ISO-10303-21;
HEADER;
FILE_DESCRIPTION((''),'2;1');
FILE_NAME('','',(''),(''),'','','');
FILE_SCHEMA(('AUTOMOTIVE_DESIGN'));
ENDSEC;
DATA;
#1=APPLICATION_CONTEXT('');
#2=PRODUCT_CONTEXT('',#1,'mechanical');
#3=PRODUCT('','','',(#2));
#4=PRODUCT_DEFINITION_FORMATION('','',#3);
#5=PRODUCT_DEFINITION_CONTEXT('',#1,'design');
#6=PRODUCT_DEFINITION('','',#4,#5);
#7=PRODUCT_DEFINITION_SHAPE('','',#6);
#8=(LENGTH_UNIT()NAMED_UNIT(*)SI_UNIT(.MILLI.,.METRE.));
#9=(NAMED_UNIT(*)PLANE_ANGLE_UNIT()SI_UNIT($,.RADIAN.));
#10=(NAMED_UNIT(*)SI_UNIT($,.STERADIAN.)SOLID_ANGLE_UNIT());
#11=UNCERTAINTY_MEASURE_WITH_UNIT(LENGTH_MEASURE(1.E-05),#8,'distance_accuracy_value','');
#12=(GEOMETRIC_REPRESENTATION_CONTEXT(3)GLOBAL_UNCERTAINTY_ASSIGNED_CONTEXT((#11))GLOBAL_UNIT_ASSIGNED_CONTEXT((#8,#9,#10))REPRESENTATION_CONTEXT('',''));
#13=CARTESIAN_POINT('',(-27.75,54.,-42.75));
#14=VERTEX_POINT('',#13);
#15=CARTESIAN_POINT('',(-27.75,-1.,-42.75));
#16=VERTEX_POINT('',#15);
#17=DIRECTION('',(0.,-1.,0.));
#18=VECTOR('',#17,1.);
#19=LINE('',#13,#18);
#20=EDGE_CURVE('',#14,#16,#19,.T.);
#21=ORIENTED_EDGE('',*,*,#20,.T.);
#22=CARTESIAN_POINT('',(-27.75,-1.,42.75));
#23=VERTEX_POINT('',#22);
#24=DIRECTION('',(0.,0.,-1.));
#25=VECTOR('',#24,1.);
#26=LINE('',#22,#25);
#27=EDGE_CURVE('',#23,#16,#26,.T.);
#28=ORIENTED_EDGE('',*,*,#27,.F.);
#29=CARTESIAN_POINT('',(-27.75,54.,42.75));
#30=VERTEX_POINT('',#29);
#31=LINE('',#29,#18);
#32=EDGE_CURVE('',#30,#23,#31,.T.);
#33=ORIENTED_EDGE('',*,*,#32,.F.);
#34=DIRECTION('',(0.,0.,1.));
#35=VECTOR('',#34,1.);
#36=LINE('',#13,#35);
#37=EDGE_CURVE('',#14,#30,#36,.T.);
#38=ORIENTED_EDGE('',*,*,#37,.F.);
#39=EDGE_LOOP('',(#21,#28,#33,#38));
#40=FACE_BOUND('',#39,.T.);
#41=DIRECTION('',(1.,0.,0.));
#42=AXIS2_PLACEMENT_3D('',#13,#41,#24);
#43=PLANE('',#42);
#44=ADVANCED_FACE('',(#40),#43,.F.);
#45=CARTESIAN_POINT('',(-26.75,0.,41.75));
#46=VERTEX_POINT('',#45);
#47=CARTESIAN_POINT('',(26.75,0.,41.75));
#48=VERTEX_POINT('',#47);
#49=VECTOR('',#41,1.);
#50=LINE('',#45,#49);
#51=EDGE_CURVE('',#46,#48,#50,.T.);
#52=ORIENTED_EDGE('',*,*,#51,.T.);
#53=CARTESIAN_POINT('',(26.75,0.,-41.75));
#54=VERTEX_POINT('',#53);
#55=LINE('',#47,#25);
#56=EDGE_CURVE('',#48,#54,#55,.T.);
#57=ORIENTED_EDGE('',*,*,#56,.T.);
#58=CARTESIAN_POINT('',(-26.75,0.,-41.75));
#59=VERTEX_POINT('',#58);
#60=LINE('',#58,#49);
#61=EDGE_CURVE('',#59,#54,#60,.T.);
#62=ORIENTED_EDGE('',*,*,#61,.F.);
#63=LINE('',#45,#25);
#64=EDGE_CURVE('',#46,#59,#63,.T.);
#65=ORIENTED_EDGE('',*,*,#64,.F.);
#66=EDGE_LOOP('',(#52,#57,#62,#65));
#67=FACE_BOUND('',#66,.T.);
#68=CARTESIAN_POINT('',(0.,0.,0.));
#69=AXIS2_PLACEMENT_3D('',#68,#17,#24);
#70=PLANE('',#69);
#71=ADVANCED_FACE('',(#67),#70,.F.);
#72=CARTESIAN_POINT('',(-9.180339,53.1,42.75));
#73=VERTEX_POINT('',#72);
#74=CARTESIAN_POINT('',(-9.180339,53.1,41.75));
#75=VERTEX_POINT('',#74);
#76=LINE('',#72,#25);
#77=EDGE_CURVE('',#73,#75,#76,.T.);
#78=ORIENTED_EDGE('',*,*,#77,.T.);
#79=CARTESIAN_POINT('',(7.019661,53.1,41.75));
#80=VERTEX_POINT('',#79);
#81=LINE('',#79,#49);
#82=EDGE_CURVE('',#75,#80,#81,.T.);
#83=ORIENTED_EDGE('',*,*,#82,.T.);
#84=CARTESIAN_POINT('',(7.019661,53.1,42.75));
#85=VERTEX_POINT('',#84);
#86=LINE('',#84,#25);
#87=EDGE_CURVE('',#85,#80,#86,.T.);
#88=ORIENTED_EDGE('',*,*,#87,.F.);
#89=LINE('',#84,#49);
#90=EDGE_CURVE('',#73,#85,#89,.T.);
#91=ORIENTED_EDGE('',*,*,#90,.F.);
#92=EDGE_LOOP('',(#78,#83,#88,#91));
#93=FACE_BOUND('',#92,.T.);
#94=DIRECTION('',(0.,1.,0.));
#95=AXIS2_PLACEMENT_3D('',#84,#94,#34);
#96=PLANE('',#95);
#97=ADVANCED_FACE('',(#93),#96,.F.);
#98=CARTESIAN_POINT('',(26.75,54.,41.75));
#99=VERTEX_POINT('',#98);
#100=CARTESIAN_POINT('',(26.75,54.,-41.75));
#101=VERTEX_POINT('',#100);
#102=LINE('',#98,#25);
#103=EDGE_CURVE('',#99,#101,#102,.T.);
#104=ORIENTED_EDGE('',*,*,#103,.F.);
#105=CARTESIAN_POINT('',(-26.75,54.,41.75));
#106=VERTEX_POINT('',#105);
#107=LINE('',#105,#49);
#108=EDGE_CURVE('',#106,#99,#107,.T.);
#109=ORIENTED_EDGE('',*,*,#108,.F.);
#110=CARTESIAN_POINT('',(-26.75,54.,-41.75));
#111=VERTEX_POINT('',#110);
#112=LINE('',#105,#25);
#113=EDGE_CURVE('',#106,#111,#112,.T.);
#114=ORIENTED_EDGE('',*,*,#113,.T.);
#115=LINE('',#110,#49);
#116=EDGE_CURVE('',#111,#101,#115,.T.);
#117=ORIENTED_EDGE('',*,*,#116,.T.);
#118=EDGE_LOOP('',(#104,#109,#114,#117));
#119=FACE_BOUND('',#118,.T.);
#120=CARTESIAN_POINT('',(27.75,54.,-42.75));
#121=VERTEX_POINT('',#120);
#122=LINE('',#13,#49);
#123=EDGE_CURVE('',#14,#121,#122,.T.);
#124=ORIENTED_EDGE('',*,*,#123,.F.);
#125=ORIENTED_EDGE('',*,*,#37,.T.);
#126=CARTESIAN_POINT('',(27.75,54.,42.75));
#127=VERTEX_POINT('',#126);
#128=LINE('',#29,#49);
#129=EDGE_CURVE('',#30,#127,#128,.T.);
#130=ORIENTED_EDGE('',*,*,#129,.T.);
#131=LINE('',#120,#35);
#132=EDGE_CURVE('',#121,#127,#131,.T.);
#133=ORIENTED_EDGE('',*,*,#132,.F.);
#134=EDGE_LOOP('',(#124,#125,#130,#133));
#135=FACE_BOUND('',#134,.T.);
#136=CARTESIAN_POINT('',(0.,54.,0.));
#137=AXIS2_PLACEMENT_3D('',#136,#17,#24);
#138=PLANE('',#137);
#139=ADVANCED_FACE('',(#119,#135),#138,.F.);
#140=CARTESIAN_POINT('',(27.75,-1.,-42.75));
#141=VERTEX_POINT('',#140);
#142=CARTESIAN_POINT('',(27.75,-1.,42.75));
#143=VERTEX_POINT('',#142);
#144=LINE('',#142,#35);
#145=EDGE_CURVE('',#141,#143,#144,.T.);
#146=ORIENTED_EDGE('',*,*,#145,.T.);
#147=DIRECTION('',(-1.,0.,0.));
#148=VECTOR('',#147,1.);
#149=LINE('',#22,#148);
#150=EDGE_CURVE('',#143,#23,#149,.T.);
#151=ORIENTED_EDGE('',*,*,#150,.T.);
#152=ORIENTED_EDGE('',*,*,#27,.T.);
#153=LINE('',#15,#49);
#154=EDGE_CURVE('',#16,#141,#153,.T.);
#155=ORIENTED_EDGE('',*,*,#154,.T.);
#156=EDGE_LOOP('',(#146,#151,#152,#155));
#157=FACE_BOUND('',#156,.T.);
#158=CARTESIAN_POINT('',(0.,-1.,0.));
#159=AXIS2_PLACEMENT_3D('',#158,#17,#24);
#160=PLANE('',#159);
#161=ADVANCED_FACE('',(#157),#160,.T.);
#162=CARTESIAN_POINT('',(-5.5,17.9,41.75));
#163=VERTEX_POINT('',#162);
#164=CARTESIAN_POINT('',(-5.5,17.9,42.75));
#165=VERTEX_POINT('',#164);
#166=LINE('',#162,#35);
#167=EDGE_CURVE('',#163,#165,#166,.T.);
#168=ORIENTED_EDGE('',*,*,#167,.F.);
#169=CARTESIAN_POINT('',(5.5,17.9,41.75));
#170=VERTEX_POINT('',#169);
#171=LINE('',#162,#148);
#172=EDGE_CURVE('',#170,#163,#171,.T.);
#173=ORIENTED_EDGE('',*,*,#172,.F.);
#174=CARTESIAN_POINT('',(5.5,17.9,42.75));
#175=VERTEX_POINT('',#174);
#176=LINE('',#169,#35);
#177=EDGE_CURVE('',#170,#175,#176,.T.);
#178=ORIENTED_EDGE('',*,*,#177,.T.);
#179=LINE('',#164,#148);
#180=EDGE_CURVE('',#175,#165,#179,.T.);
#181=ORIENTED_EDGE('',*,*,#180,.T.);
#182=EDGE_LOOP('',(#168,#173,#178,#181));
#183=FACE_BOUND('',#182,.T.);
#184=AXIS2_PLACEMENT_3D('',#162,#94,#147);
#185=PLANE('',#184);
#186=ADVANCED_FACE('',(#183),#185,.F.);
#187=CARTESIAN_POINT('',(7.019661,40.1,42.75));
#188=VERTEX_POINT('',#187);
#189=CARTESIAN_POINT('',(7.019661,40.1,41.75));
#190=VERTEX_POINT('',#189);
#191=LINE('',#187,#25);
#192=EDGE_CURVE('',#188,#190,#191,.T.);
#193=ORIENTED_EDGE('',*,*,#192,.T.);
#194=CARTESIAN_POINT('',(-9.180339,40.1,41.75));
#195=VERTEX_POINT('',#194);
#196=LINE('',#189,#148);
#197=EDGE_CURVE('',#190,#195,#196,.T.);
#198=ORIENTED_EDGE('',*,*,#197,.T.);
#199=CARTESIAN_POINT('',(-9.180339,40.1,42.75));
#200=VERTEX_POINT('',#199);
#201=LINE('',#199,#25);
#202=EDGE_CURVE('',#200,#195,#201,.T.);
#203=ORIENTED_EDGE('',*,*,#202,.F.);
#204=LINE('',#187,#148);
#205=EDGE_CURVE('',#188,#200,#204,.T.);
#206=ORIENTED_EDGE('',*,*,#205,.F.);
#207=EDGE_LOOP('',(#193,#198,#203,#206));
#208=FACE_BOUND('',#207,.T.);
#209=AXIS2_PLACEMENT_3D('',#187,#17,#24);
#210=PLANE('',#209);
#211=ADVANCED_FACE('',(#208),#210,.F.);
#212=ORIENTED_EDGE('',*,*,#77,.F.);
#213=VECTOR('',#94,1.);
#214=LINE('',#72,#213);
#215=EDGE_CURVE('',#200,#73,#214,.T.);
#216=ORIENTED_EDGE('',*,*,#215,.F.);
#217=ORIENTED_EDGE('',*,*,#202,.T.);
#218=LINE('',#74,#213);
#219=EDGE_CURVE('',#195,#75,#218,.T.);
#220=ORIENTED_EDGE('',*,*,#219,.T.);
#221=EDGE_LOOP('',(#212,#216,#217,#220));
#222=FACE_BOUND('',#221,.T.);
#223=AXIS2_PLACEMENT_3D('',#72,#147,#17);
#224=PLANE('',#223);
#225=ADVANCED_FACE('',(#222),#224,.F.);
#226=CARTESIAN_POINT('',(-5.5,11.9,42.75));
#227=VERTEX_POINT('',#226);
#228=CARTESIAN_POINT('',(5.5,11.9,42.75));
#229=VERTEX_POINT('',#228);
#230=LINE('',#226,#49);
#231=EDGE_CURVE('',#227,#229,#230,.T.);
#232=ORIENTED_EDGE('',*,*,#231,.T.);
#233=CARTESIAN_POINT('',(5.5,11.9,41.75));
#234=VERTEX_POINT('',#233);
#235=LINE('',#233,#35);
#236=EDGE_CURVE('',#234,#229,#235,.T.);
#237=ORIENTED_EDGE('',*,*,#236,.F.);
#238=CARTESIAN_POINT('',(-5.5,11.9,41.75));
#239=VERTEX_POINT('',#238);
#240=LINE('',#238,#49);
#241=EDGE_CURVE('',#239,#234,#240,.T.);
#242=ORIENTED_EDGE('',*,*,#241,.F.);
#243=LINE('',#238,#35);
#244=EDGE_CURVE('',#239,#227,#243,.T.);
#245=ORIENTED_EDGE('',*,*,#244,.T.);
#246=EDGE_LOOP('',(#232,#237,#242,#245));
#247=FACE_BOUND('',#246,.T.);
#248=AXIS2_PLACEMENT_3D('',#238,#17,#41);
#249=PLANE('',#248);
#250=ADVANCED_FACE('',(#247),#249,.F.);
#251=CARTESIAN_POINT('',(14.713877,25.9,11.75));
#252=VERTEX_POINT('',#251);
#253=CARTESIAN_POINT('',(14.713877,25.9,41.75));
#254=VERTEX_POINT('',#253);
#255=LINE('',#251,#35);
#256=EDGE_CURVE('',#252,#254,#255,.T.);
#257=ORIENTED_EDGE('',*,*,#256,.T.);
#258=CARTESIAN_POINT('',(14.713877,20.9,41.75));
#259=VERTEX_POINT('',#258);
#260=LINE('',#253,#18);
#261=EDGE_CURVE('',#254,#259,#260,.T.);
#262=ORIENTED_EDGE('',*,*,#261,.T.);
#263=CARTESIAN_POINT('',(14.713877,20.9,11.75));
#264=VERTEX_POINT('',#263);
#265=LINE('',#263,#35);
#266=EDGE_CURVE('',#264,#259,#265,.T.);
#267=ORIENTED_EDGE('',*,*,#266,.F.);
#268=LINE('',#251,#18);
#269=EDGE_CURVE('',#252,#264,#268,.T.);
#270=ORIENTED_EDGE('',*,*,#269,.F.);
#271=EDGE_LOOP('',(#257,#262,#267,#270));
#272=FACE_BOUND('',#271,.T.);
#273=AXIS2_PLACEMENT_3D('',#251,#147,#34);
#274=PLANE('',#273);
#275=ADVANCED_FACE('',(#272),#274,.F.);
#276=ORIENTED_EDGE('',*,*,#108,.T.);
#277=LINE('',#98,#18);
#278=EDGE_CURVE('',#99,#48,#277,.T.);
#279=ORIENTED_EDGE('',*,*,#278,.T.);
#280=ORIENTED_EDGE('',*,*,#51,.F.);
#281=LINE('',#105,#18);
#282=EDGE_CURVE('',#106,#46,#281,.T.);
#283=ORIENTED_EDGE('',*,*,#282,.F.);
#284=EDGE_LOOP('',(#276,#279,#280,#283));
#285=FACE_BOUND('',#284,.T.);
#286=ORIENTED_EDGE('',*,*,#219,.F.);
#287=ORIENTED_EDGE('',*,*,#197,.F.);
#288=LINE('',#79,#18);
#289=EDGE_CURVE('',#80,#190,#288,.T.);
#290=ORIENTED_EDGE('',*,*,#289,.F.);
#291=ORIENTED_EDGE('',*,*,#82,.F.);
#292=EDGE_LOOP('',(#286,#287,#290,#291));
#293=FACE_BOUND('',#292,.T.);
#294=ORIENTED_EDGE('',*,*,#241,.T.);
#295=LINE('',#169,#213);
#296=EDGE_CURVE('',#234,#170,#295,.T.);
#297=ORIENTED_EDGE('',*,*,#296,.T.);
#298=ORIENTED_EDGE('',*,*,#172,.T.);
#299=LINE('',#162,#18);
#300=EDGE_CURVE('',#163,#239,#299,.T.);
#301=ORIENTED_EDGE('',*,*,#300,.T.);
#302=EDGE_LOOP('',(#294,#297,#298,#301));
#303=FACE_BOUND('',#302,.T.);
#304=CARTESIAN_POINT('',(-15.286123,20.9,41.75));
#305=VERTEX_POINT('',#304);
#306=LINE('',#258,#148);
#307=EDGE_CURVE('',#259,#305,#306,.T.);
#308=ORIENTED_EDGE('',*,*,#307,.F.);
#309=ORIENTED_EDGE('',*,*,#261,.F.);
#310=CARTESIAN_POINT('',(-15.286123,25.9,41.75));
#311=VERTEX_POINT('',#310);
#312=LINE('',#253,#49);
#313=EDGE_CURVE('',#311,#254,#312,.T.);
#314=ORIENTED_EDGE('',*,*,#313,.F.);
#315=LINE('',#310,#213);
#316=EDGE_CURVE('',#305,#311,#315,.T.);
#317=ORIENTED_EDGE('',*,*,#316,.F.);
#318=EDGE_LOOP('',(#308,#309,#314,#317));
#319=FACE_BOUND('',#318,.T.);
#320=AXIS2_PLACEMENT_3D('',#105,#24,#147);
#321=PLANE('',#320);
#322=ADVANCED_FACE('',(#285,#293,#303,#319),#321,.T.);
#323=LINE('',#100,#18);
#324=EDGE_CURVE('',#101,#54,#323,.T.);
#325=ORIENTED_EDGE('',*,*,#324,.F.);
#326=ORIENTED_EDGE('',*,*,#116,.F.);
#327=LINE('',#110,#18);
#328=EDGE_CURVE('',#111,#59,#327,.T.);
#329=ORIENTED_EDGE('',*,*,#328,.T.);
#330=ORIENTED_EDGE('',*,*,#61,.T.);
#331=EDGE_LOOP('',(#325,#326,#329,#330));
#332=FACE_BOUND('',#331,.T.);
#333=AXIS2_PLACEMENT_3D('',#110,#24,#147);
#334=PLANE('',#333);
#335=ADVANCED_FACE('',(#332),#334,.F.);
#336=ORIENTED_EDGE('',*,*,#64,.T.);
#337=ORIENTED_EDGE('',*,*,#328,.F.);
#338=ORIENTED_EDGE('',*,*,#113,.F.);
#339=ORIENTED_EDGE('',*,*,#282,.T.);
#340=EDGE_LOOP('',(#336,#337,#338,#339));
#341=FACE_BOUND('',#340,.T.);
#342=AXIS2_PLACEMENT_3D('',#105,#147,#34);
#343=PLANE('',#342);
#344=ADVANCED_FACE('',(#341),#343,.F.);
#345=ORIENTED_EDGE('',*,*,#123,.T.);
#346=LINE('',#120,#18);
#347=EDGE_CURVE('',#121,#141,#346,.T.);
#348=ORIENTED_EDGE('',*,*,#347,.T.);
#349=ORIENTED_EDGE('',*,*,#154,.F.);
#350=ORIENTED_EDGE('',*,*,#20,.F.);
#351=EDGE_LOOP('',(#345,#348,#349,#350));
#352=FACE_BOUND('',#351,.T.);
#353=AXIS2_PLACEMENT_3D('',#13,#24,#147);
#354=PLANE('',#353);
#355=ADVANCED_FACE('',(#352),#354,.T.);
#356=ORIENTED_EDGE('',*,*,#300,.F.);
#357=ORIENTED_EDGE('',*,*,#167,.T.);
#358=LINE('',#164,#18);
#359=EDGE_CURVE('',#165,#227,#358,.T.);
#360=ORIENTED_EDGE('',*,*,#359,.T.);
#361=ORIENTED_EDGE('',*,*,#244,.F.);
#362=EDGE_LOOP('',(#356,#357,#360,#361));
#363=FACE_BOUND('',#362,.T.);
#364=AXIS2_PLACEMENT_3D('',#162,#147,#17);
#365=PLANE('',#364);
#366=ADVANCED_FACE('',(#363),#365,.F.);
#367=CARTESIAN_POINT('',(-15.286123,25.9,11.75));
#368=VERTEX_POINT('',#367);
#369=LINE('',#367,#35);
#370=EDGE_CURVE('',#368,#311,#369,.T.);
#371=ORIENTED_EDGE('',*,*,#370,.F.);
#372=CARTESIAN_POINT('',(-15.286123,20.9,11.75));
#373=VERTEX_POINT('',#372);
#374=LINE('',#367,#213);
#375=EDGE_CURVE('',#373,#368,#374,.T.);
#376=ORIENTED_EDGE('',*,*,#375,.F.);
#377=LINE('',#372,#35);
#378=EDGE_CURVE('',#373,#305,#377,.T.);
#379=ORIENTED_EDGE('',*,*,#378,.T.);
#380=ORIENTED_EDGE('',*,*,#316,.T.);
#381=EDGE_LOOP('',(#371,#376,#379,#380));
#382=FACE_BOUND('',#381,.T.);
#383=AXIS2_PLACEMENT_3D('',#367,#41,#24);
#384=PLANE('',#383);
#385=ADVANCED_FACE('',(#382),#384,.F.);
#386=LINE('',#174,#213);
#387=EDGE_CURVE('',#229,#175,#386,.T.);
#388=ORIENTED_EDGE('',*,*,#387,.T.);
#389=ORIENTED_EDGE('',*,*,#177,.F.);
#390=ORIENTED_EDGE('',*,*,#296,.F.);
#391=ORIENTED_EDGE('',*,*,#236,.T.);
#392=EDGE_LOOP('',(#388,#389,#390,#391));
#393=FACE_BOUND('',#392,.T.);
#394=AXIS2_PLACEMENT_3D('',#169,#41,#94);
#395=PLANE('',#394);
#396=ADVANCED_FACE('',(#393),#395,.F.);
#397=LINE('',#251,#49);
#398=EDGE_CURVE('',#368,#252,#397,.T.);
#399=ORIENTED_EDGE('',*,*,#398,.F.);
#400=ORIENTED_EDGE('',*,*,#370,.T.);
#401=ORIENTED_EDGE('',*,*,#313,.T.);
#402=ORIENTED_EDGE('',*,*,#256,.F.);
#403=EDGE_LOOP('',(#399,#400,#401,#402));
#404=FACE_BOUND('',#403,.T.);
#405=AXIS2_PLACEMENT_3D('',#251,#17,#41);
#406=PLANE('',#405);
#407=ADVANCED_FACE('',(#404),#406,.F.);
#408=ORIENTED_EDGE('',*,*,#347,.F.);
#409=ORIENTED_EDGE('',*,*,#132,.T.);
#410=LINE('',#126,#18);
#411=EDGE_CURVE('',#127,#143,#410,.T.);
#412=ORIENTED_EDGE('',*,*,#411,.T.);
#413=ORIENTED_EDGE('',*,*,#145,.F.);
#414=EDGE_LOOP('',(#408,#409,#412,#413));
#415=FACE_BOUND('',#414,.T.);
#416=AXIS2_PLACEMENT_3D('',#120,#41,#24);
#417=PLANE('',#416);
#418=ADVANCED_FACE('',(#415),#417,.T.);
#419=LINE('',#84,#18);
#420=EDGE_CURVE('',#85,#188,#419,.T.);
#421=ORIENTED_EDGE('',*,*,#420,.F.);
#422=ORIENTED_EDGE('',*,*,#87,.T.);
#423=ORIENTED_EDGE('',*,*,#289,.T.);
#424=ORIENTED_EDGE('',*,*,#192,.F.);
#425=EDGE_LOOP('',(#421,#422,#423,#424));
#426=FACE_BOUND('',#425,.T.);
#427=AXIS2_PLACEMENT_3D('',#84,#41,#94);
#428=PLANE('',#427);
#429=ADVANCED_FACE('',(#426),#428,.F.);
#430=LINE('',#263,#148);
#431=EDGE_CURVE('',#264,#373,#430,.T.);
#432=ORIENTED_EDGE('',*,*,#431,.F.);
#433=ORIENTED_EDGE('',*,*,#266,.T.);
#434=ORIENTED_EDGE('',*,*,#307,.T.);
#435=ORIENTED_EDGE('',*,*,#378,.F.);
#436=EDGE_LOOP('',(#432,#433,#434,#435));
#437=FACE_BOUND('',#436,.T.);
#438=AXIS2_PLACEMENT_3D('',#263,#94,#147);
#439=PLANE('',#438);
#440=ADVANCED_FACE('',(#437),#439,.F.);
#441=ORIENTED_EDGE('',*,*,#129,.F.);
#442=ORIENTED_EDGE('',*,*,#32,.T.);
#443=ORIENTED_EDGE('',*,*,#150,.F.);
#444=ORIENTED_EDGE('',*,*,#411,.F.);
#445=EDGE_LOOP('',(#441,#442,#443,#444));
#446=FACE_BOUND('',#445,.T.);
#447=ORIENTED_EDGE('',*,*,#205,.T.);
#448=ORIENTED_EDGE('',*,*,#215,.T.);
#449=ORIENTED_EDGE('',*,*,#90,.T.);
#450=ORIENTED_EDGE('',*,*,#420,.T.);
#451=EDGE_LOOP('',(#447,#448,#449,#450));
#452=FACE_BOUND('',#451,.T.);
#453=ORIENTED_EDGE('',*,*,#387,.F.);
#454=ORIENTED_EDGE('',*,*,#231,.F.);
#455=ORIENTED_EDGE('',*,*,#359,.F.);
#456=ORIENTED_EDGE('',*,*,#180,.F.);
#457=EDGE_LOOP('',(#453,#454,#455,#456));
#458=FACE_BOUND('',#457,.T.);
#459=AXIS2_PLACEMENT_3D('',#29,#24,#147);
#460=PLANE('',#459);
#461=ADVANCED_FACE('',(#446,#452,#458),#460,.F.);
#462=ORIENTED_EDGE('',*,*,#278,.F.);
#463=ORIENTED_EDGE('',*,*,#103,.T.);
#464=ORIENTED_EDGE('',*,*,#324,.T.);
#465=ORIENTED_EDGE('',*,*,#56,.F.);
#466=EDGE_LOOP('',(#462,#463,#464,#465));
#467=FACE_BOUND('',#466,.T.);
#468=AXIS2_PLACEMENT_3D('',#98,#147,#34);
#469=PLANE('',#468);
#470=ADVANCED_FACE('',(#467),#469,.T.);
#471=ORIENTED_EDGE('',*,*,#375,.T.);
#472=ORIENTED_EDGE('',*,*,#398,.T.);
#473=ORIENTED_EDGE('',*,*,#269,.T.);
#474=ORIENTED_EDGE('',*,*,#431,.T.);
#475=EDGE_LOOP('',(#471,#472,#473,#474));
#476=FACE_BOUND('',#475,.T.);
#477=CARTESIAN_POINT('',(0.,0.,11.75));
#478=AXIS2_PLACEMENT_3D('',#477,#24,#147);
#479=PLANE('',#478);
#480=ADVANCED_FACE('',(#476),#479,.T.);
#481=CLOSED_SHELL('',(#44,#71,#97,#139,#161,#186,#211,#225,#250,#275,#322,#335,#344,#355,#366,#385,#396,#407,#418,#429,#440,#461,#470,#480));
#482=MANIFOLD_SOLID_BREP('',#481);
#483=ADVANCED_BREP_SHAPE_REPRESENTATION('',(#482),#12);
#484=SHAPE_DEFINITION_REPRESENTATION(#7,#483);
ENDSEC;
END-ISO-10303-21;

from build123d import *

# Parameters (mm, degrees)
SKETCH1_W           = 55.5
SKETCH1_H           = 85.5
SKETCH1_W_2         = 53.5
SKETCH1_H_2         = 83.5
BOSS_EXTRUDE1_DEPTH = 54
SKETCH2_W           = 55.5
SKETCH2_H           = 85.5
BOSS_EXTRUDE2_DEPTH = 1
SKETCH3_W           = 11
SKETCH3_H           = 6
CUT_EXTRUDE1_DEPTH  = 1
SKETCH5_W           = 30
SKETCH5_H           = 5
BOSS_EXTRUDE4_DEPTH = 30
SKETCH8_W           = 16.2
SKETCH8_H           = 13
CUT_EXTRUDE3_DEPTH  = 1


with BuildPart() as part:
    # Sketch1 → Boss-Extrude1 (new body)
    with BuildSketch(Plane(origin=(0, 0, 0), x_dir=(1, 0, 0), z_dir=(0, 1, 0))):
        Rectangle(SKETCH1_W, SKETCH1_H)
        Rectangle(SKETCH1_W_2, SKETCH1_H_2, mode=Mode.SUBTRACT)
    extrude(amount=BOSS_EXTRUDE1_DEPTH)

    # Sketch2 → Boss-Extrude2 (add)
    with BuildSketch(Plane.XZ):
        Rectangle(SKETCH2_W, SKETCH2_H)
    extrude(amount=BOSS_EXTRUDE2_DEPTH)

    # Sketch3 → Cut-Extrude1 (cut)
    with BuildSketch(Plane.XY.offset(42.75)):
        with Locations((0, 14.9)):
            Rectangle(SKETCH3_W, SKETCH3_H)
    extrude(amount=-CUT_EXTRUDE1_DEPTH, mode=Mode.SUBTRACT)

    # Sketch5 → Boss-Extrude4 (add)
    with BuildSketch(Plane(origin=(0, 0, 41.75), x_dir=(-1, 0, 0), z_dir=(0, 0, -1))):
        with Locations((0.286122551, 23.4)):
            Rectangle(SKETCH5_W, SKETCH5_H)
    extrude(amount=BOSS_EXTRUDE4_DEPTH)

    # Sketch8 → Cut-Extrude3 (cut)
    with BuildSketch(Plane(origin=(0, 0, 41.75), x_dir=(-1, 0, 0), z_dir=(0, 0, -1))):
        with Locations((1.080339393, 46.6)):
            Rectangle(SKETCH8_W, SKETCH8_H)
    extrude(amount=-CUT_EXTRUDE3_DEPTH, mode=Mode.SUBTRACT)


solid = part.part
